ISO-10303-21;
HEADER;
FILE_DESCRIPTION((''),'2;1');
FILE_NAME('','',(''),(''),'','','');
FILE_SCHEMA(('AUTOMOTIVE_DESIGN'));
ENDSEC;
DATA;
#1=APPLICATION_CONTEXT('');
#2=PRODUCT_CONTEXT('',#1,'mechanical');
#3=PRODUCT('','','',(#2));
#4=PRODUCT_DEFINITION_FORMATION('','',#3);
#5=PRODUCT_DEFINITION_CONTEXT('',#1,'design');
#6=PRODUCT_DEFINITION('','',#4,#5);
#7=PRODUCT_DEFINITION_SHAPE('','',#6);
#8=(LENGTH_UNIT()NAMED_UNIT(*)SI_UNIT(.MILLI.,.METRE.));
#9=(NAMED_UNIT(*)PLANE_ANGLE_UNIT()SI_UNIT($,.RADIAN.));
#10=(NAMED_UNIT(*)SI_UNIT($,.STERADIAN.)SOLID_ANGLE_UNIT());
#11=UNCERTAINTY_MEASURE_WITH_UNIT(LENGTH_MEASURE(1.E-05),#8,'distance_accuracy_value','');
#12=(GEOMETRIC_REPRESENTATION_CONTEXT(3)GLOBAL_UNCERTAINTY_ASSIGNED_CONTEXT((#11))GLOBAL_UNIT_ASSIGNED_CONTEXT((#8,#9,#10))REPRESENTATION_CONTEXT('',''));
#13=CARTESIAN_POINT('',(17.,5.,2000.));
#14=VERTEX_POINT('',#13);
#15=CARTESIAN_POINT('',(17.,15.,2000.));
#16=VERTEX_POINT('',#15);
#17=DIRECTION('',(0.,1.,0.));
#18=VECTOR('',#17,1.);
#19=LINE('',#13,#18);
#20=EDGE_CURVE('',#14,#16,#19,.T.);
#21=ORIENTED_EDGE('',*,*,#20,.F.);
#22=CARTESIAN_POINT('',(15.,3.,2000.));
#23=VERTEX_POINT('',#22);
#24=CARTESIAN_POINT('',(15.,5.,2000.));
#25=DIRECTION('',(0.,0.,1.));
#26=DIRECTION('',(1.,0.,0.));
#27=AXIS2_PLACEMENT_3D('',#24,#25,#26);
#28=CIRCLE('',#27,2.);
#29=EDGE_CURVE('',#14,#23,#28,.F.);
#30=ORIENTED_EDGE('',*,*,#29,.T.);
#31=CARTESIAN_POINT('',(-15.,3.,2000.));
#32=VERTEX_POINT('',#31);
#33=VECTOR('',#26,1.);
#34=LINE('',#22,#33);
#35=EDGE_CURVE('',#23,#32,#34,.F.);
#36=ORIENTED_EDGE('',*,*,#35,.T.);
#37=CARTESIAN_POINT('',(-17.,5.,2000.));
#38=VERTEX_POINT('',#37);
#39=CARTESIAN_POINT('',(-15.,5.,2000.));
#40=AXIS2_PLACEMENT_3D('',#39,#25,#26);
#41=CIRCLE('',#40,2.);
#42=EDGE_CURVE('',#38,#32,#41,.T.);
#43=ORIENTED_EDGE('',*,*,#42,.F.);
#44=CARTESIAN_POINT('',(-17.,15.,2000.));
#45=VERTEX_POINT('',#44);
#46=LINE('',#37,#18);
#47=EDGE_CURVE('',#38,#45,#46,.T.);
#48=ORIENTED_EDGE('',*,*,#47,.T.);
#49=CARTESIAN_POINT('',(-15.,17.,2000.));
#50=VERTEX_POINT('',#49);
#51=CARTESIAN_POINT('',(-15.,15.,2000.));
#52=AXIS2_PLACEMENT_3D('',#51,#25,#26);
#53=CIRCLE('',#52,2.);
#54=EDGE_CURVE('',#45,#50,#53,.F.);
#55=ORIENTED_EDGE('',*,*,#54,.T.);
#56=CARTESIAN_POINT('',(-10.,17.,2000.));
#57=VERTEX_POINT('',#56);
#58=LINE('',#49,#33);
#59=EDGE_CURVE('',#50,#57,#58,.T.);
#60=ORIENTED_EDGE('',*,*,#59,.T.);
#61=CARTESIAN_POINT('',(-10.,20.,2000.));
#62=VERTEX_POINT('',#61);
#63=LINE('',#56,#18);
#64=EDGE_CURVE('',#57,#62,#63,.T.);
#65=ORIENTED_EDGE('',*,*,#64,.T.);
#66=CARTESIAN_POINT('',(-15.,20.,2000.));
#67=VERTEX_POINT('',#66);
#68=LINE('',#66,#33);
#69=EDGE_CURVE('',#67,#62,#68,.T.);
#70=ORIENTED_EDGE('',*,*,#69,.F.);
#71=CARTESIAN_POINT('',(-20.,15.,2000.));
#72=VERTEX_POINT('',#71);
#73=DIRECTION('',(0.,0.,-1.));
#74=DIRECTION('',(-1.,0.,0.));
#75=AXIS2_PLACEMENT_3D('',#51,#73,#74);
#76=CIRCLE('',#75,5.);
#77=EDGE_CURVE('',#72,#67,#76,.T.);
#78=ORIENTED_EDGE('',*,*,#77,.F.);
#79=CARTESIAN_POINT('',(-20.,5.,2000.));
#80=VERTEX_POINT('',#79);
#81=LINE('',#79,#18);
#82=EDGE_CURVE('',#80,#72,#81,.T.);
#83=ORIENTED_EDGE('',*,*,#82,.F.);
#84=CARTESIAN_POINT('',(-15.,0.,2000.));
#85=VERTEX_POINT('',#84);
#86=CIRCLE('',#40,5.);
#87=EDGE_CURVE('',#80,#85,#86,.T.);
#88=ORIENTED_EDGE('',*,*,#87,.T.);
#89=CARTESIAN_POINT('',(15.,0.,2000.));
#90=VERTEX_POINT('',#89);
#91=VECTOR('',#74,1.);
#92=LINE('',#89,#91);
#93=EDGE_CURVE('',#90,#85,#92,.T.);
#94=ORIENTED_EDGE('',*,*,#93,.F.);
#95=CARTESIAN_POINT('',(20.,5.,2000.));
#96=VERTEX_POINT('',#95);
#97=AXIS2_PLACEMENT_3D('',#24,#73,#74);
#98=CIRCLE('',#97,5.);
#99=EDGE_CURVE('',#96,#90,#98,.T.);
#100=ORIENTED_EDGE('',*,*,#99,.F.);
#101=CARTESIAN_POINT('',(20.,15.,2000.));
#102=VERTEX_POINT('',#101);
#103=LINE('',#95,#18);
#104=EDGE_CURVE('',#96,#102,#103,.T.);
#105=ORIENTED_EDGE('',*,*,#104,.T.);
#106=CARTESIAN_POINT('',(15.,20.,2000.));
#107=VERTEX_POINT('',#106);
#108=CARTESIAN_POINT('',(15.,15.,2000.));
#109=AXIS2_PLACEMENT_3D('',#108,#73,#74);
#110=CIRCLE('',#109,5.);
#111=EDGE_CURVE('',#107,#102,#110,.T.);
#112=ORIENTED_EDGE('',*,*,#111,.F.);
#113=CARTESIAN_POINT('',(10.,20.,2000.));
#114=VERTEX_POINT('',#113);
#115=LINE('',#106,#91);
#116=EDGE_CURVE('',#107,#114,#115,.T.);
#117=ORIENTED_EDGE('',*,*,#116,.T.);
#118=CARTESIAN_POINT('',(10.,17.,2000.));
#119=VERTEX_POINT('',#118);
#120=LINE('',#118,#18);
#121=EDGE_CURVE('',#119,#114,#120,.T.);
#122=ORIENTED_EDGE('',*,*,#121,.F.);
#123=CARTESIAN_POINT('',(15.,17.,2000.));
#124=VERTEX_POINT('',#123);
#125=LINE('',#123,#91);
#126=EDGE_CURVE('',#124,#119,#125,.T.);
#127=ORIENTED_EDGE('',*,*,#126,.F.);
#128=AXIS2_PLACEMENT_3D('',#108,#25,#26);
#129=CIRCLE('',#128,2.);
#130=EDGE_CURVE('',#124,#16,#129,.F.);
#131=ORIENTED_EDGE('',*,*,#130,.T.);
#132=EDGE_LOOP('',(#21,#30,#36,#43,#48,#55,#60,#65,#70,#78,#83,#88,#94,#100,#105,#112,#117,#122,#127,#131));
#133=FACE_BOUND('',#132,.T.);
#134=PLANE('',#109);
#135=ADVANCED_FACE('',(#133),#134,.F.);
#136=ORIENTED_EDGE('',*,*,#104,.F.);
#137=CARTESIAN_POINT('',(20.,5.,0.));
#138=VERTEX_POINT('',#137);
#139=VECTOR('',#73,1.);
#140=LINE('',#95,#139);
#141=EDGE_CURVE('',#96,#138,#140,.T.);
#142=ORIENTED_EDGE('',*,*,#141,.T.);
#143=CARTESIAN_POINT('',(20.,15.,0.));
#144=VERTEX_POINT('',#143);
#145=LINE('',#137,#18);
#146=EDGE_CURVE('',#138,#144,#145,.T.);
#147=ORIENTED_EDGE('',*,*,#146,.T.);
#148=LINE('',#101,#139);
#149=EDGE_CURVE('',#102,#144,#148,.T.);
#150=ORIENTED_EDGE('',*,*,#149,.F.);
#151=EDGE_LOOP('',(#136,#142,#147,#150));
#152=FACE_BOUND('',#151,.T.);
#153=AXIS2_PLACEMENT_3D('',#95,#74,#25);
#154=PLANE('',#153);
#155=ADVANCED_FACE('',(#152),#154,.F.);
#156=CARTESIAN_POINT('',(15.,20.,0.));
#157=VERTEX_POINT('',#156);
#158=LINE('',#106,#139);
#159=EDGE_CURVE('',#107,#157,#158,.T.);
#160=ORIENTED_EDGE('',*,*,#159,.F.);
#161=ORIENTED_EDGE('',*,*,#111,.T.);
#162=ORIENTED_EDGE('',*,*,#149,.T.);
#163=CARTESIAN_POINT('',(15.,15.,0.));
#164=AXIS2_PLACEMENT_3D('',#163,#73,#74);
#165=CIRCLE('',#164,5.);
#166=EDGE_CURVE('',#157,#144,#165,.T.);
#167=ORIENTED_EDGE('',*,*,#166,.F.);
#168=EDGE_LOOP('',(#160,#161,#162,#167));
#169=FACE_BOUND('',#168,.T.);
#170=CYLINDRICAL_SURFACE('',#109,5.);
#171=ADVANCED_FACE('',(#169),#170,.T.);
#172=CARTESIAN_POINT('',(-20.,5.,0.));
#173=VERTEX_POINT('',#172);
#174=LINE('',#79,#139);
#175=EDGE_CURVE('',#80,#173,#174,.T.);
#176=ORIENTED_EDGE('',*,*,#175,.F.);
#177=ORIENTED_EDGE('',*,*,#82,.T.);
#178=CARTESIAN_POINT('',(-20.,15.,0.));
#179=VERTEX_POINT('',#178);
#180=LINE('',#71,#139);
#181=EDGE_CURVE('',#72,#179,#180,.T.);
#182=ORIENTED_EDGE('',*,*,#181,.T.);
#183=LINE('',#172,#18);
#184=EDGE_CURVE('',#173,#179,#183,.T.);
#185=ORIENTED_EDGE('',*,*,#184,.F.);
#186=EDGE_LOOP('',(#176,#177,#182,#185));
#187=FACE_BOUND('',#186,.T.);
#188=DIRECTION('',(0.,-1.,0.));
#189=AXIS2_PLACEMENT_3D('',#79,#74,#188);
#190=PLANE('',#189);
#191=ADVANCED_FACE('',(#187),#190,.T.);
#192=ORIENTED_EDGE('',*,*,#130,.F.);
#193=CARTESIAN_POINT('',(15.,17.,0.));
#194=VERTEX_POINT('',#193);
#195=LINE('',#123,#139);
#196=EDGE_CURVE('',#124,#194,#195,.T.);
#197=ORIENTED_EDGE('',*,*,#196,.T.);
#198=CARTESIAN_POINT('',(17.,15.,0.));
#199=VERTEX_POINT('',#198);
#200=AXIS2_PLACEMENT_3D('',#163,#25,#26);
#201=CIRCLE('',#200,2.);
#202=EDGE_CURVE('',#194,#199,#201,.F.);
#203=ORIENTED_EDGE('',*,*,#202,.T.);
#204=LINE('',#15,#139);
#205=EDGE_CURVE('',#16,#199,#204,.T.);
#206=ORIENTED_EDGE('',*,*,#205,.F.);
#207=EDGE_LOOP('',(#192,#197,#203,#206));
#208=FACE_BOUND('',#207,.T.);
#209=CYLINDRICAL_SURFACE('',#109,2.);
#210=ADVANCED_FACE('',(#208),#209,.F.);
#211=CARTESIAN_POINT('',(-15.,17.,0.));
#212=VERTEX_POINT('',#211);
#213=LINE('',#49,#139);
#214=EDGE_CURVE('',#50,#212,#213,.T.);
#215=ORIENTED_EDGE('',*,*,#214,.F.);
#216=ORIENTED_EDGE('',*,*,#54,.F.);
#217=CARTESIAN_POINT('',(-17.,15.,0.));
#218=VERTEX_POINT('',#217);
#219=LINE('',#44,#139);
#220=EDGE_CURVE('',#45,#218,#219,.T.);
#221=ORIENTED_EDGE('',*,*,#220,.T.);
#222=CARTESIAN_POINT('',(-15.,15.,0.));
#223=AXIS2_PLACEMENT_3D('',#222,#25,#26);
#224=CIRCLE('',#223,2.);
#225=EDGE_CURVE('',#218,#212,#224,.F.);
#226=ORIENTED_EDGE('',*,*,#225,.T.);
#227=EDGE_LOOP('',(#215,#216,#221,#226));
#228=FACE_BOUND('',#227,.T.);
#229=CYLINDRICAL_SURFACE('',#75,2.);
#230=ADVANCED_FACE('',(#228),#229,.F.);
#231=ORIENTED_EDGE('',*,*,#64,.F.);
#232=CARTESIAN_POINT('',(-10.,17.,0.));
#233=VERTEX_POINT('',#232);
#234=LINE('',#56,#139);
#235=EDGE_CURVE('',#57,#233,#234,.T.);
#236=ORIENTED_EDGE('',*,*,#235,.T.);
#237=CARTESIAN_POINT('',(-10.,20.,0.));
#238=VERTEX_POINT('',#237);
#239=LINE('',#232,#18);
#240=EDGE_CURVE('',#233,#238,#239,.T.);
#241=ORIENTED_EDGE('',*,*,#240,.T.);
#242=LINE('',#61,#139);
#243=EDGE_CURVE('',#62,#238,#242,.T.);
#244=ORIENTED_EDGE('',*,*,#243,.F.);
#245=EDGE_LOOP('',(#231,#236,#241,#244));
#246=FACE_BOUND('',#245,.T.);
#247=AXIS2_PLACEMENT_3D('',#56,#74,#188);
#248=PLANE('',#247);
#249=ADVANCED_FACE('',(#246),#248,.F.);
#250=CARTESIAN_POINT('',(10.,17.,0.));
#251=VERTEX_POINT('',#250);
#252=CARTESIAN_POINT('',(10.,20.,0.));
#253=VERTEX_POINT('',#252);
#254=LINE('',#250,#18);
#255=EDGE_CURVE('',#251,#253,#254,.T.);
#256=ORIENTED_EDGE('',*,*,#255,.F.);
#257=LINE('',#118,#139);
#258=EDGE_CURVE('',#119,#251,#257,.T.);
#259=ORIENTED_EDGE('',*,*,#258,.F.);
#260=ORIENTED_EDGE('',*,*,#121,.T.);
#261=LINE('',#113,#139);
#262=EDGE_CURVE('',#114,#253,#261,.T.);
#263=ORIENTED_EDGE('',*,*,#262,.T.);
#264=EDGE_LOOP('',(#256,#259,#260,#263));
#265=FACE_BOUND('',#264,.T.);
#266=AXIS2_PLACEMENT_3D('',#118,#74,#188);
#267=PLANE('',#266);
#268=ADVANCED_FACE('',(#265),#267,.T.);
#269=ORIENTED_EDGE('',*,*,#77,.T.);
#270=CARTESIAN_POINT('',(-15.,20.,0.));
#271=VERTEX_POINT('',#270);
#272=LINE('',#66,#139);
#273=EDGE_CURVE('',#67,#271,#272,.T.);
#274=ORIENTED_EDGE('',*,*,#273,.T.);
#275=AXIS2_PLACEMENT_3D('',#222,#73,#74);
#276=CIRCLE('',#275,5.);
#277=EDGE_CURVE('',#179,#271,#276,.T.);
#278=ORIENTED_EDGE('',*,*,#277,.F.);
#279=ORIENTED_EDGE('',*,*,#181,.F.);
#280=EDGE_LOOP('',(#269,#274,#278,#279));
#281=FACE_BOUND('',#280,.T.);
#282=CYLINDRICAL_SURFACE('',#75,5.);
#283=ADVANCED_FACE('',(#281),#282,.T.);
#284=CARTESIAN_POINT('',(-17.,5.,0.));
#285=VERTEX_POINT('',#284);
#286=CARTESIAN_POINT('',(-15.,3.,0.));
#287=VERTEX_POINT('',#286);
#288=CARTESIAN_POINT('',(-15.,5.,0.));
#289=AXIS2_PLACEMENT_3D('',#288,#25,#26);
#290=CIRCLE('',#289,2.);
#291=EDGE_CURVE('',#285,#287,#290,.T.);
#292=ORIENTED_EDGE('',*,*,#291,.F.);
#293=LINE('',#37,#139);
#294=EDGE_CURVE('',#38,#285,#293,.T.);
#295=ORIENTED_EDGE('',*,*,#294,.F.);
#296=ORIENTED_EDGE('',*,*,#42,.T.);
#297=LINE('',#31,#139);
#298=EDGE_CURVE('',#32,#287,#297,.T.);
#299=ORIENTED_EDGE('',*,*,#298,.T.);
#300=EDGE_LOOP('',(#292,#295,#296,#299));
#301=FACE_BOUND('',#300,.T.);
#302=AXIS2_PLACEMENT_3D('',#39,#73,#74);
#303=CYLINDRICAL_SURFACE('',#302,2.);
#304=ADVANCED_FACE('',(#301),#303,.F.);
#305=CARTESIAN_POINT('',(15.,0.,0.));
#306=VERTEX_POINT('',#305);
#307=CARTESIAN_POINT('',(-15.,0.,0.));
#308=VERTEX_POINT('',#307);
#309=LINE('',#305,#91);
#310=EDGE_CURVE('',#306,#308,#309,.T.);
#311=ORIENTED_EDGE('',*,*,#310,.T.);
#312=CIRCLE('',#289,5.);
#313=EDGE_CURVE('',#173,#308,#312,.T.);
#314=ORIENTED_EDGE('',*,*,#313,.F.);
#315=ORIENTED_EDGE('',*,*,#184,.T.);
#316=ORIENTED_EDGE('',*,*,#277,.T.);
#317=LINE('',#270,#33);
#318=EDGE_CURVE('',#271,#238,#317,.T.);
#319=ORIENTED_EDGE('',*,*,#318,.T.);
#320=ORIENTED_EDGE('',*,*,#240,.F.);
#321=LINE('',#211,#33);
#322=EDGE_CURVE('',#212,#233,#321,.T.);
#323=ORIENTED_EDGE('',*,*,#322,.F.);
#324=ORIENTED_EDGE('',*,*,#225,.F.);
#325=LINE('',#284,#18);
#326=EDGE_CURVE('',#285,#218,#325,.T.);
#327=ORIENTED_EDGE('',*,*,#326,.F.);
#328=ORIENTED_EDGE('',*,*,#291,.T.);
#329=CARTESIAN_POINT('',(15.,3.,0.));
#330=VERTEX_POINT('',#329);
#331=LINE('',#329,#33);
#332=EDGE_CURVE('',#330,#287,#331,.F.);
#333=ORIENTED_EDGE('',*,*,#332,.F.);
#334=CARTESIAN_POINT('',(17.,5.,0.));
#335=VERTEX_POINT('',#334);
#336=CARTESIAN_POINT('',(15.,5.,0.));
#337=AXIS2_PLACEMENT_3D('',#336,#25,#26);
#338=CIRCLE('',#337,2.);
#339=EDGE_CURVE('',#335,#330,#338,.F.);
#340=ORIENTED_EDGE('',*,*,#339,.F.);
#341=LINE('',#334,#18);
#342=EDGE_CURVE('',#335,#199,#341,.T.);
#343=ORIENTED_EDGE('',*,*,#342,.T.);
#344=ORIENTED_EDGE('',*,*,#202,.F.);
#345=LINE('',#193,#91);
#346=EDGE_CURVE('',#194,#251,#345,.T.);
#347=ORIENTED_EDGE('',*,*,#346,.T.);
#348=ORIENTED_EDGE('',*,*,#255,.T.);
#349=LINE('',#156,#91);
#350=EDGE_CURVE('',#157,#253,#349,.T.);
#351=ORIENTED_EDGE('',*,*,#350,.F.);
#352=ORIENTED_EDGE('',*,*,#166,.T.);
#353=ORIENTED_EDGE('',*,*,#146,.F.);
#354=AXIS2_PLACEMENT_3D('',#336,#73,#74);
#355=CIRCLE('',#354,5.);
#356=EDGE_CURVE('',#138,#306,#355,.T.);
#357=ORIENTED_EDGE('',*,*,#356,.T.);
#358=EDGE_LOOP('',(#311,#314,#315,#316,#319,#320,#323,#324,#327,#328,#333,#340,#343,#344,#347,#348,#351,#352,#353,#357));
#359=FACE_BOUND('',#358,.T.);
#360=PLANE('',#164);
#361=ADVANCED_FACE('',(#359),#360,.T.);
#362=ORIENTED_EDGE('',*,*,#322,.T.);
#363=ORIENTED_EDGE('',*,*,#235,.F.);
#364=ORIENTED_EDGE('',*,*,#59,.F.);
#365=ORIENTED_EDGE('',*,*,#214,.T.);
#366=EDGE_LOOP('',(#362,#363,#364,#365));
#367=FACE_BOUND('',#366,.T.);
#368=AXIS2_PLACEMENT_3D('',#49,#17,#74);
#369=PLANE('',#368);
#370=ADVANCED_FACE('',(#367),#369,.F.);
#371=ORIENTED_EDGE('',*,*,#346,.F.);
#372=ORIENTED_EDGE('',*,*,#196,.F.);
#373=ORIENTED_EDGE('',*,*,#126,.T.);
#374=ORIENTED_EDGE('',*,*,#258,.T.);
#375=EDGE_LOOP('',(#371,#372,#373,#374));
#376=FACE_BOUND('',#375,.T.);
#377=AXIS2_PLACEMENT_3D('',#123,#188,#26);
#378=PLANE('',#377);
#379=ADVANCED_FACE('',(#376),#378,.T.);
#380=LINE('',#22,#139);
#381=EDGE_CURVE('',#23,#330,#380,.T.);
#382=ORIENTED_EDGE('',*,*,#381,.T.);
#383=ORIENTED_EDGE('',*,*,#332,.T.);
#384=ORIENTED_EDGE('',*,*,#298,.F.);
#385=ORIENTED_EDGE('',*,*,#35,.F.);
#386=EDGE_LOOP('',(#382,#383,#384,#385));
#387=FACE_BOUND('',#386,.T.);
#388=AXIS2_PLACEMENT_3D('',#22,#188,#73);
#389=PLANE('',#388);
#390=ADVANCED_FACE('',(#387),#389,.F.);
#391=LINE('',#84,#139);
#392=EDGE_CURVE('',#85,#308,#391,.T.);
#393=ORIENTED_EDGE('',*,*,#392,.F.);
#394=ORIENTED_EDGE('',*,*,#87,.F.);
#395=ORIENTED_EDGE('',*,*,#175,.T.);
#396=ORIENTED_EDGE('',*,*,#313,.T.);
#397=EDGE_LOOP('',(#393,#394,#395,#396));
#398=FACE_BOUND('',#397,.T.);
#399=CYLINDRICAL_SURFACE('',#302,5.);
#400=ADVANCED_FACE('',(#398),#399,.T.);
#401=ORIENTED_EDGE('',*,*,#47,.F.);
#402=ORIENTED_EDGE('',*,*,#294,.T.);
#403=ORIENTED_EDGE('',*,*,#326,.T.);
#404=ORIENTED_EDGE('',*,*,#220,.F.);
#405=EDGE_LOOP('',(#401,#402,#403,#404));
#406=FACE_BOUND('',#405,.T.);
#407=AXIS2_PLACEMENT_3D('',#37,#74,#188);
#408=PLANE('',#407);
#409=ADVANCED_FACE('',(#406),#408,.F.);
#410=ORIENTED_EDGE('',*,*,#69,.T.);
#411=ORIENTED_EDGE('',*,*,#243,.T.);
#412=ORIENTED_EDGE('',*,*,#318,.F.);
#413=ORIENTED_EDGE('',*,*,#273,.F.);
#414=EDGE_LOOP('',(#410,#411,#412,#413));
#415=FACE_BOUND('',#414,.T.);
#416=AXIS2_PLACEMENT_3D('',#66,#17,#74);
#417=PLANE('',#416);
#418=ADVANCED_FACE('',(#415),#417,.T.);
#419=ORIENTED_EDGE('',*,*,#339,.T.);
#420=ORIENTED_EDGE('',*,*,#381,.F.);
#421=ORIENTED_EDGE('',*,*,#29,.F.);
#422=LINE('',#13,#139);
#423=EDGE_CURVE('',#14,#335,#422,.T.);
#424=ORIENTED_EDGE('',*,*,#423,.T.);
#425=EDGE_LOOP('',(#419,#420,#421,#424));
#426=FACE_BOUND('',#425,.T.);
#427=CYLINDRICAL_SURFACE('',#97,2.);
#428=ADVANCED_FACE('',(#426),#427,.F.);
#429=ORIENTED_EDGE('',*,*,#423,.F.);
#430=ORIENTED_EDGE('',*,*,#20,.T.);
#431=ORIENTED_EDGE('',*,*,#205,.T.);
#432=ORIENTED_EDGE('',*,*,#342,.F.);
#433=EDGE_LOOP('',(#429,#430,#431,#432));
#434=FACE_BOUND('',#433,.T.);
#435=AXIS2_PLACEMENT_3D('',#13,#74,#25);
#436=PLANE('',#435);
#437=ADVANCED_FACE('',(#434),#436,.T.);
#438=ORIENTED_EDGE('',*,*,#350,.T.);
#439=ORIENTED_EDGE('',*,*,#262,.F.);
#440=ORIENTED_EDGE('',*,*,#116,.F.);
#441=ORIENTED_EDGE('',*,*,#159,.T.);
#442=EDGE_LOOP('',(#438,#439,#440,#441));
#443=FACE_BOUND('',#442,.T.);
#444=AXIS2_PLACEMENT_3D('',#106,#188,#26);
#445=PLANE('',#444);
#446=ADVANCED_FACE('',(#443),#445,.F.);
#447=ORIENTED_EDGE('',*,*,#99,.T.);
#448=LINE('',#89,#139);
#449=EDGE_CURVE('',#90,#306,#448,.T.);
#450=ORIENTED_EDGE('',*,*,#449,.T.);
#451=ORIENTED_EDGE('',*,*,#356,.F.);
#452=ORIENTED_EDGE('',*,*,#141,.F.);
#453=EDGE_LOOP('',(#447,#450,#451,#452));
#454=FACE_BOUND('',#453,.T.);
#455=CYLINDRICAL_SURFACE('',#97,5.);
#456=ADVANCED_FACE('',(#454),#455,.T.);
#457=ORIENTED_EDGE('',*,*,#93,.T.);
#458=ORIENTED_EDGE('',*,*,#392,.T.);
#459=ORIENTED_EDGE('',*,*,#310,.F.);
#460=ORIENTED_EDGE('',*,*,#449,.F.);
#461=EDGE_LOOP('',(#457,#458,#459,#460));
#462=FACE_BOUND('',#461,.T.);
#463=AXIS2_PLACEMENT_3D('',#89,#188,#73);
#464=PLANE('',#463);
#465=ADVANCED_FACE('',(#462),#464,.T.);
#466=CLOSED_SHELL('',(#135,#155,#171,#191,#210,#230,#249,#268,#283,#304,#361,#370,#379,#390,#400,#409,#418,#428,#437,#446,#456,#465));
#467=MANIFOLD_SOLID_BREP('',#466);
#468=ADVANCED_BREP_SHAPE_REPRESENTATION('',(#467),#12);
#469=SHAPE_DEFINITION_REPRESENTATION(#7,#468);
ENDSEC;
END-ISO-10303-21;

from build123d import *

# Parameters (mm, degrees)
BASE_EXTRUDE_THIN_DEPTH = 2000


with BuildPart() as part:
    # Sketch1 → Base-Extrude-Thin (new body)
    with BuildSketch(Plane.XY):
        with BuildLine():
            Line((10, 20), (15, 20))
            ThreePointArc((15, 20), (18.535533906, 18.535533906), (20, 15))
            Line((20, 15), (20, 5))
            ThreePointArc((20, 5), (18.535533906, 1.464466094), (15, 0))
            Line((15, 0), (-15, 0))
            ThreePointArc((-15, 0), (-18.535533906, 1.464466094), (-20, 5))
            Line((-20, 5), (-20, 15))
            ThreePointArc((-20, 15), (-18.535533906, 18.535533906), (-15, 20))
            Line((-15, 20), (-10, 20))
            Line((-10, 20), (-10, 17))
            Line((-10, 17), (-15, 17))
            ThreePointArc((-15, 17), (-16.414213562, 16.414213562), (-17, 15))
            Line((-17, 15), (-17, 5))
            ThreePointArc((-17, 5), (-16.414213562, 3.585786438), (-15, 3))
            Line((-15, 3), (15, 3))
            ThreePointArc((15, 3), (16.414213562, 3.585786438), (17, 5))
            Line((17, 5), (17, 15))
            ThreePointArc((17, 15), (16.414213562, 16.414213562), (15, 17))
            Line((15, 17), (10, 17))
            Line((10, 17), (10, 20))
        make_face()
    extrude(amount=BASE_EXTRUDE_THIN_DEPTH)


solid = part.part
